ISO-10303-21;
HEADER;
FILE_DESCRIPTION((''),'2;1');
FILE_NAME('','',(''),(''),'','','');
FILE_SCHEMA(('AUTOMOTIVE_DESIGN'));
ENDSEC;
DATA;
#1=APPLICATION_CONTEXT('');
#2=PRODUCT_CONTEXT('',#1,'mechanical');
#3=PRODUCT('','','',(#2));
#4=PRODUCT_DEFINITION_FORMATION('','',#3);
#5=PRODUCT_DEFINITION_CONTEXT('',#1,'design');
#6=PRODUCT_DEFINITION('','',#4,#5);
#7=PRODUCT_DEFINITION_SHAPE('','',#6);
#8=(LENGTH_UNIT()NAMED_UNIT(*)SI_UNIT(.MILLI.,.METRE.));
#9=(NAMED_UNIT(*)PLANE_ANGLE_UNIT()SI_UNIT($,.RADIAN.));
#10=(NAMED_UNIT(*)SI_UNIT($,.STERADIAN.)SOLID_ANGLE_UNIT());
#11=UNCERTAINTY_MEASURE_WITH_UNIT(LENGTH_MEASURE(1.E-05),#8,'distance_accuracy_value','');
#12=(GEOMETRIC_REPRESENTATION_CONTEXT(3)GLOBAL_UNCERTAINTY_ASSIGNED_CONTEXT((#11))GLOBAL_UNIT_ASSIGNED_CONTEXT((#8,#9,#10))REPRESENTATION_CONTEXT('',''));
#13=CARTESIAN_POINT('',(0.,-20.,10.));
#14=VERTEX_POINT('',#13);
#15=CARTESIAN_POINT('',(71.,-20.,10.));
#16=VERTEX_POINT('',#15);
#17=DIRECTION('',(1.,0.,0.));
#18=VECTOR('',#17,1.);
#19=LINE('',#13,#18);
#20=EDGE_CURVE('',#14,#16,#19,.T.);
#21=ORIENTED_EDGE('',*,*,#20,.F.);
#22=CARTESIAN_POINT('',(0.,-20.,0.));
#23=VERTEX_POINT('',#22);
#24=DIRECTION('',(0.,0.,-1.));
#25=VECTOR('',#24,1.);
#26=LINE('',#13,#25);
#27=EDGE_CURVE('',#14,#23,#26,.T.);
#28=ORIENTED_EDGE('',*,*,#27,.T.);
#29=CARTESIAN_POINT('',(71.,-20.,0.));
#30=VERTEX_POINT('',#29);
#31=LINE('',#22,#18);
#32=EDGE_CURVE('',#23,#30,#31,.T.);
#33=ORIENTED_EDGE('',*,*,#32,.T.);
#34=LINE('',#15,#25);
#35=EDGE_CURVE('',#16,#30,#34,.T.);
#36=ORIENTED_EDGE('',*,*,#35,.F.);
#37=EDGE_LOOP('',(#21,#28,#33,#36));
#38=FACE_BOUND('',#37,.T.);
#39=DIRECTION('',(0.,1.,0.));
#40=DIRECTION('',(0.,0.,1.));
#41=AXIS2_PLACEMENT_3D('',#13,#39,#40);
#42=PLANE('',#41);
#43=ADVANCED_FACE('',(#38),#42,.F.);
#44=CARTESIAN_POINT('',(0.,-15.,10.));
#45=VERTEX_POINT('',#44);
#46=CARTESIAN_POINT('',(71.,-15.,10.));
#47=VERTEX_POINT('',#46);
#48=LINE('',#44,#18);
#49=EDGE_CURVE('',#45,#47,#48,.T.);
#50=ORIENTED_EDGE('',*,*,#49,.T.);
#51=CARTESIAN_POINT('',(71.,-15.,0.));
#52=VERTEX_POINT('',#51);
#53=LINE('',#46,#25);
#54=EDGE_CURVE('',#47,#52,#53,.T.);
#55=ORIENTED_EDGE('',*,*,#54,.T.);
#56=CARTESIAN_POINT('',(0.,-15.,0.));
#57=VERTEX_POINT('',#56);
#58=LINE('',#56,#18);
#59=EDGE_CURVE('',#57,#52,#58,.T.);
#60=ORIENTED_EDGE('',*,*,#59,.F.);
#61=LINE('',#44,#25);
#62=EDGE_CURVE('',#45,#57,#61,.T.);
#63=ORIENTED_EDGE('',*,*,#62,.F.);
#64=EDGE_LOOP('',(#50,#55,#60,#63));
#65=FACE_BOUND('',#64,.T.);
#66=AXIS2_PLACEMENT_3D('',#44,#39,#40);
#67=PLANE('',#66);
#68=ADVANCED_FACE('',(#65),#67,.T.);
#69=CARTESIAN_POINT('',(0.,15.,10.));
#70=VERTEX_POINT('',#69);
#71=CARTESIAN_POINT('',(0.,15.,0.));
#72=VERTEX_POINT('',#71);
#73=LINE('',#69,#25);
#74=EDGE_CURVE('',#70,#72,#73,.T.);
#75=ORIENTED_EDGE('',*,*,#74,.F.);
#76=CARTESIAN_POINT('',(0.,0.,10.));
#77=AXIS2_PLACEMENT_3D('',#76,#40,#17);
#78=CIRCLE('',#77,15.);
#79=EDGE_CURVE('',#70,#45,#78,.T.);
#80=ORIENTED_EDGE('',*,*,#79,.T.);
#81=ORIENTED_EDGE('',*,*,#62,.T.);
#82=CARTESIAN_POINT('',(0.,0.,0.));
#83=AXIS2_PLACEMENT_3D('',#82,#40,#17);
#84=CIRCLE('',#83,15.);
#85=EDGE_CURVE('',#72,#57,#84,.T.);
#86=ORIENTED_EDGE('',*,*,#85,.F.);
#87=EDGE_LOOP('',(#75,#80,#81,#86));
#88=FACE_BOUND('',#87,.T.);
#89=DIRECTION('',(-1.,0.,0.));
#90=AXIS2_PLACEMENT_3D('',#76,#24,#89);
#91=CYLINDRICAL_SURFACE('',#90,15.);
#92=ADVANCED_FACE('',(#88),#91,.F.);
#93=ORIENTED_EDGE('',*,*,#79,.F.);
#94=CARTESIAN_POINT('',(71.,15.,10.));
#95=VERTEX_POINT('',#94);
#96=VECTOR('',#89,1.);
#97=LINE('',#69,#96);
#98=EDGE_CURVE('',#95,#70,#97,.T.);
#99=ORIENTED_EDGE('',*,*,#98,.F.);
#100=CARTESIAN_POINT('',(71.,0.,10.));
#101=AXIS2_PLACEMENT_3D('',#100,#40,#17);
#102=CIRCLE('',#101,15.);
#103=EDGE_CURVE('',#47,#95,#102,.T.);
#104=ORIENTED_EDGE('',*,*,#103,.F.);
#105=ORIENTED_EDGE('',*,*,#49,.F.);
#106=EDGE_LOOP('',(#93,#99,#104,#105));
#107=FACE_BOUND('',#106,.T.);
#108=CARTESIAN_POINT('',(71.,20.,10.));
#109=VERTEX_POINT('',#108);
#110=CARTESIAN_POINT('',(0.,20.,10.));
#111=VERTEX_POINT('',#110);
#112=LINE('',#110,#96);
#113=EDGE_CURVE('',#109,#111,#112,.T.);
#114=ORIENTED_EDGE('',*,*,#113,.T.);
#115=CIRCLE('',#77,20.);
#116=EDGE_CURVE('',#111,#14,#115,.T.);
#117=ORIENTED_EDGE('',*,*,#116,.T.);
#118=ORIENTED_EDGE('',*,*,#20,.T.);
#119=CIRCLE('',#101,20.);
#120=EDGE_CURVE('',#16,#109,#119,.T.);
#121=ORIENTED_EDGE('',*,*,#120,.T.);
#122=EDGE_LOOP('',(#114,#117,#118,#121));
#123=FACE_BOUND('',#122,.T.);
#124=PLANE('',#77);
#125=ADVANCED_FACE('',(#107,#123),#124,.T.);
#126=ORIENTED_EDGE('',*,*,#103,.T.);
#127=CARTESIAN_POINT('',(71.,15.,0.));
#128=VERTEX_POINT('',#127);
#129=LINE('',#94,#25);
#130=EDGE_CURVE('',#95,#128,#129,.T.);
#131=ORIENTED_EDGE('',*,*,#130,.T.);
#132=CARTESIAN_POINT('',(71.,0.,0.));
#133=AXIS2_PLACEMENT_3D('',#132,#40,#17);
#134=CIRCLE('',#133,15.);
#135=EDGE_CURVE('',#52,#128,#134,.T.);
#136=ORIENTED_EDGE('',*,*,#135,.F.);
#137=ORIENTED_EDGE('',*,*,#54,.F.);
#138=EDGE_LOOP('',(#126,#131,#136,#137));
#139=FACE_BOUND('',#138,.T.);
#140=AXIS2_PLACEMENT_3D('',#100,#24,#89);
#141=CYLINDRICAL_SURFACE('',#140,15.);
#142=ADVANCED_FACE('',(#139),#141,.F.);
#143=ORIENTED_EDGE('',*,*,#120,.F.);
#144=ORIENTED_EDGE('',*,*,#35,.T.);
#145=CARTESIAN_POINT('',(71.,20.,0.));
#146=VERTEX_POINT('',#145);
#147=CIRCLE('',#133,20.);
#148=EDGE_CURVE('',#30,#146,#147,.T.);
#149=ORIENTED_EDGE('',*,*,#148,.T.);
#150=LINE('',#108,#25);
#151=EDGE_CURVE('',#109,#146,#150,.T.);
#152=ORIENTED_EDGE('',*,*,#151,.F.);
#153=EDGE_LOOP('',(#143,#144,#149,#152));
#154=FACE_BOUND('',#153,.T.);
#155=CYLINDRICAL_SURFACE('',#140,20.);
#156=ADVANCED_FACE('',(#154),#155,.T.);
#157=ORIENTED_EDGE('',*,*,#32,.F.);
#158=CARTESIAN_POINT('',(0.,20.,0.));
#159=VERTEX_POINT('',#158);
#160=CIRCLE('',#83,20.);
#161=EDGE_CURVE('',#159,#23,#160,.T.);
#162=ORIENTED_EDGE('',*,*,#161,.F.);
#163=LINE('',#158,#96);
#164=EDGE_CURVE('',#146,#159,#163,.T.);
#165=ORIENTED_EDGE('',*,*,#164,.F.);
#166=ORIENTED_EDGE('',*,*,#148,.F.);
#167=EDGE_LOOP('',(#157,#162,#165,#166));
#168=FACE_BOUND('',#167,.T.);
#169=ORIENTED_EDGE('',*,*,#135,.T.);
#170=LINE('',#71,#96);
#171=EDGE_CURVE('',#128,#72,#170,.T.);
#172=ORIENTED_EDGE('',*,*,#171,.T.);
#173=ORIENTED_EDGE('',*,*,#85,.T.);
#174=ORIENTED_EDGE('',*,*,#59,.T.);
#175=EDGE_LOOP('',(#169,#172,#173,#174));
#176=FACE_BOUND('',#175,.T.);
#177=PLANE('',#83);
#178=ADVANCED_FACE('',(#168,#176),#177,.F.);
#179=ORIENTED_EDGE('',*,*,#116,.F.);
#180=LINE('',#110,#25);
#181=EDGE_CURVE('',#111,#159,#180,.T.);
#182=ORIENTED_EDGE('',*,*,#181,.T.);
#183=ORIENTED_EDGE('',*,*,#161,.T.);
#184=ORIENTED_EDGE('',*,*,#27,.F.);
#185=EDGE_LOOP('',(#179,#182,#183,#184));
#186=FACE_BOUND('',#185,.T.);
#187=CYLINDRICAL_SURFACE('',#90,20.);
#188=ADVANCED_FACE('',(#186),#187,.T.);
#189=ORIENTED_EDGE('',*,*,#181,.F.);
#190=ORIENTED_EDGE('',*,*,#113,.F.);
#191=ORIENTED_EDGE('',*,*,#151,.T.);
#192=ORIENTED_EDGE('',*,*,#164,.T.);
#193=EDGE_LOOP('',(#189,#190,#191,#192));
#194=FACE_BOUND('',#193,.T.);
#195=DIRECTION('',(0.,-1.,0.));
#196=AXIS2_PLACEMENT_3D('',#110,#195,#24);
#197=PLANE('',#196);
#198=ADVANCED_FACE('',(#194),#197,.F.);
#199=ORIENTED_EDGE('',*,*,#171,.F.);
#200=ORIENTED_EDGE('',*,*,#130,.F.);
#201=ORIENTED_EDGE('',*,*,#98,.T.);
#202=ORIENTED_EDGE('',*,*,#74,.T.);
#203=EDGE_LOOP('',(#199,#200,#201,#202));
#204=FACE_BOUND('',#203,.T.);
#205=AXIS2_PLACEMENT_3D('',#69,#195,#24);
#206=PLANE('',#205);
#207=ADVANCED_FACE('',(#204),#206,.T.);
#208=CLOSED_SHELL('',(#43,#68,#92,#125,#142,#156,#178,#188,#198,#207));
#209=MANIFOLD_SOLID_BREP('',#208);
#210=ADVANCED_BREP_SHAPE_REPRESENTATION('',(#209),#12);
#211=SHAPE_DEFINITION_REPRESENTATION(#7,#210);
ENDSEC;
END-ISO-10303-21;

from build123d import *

# Parameters (mm, degrees)
EXTRUDE_1_DEPTH = 10


with BuildPart() as part:
    # ｽｹｯﾁ1 → ﾎﾞｽ - 押し出し1 (new body)
    with BuildSketch(Plane.XY):
        with BuildLine():
            Line((0, 20), (71, 20))
            ThreePointArc((71, 20), (91, 0), (71, -20))
            Line((71, -20), (0, -20))
            ThreePointArc((0, -20), (-20, 0), (0, 20))
        make_face()
        with BuildLine():
            Line((0, 15), (71, 15))
            ThreePointArc((71, 15), (86, 0), (71, -15))
            Line((71, -15), (0, -15))
            ThreePointArc((0, -15), (-15, 0), (0, 15))
        make_face(mode=Mode.SUBTRACT)
    extrude(amount=EXTRUDE_1_DEPTH)


solid = part.part
